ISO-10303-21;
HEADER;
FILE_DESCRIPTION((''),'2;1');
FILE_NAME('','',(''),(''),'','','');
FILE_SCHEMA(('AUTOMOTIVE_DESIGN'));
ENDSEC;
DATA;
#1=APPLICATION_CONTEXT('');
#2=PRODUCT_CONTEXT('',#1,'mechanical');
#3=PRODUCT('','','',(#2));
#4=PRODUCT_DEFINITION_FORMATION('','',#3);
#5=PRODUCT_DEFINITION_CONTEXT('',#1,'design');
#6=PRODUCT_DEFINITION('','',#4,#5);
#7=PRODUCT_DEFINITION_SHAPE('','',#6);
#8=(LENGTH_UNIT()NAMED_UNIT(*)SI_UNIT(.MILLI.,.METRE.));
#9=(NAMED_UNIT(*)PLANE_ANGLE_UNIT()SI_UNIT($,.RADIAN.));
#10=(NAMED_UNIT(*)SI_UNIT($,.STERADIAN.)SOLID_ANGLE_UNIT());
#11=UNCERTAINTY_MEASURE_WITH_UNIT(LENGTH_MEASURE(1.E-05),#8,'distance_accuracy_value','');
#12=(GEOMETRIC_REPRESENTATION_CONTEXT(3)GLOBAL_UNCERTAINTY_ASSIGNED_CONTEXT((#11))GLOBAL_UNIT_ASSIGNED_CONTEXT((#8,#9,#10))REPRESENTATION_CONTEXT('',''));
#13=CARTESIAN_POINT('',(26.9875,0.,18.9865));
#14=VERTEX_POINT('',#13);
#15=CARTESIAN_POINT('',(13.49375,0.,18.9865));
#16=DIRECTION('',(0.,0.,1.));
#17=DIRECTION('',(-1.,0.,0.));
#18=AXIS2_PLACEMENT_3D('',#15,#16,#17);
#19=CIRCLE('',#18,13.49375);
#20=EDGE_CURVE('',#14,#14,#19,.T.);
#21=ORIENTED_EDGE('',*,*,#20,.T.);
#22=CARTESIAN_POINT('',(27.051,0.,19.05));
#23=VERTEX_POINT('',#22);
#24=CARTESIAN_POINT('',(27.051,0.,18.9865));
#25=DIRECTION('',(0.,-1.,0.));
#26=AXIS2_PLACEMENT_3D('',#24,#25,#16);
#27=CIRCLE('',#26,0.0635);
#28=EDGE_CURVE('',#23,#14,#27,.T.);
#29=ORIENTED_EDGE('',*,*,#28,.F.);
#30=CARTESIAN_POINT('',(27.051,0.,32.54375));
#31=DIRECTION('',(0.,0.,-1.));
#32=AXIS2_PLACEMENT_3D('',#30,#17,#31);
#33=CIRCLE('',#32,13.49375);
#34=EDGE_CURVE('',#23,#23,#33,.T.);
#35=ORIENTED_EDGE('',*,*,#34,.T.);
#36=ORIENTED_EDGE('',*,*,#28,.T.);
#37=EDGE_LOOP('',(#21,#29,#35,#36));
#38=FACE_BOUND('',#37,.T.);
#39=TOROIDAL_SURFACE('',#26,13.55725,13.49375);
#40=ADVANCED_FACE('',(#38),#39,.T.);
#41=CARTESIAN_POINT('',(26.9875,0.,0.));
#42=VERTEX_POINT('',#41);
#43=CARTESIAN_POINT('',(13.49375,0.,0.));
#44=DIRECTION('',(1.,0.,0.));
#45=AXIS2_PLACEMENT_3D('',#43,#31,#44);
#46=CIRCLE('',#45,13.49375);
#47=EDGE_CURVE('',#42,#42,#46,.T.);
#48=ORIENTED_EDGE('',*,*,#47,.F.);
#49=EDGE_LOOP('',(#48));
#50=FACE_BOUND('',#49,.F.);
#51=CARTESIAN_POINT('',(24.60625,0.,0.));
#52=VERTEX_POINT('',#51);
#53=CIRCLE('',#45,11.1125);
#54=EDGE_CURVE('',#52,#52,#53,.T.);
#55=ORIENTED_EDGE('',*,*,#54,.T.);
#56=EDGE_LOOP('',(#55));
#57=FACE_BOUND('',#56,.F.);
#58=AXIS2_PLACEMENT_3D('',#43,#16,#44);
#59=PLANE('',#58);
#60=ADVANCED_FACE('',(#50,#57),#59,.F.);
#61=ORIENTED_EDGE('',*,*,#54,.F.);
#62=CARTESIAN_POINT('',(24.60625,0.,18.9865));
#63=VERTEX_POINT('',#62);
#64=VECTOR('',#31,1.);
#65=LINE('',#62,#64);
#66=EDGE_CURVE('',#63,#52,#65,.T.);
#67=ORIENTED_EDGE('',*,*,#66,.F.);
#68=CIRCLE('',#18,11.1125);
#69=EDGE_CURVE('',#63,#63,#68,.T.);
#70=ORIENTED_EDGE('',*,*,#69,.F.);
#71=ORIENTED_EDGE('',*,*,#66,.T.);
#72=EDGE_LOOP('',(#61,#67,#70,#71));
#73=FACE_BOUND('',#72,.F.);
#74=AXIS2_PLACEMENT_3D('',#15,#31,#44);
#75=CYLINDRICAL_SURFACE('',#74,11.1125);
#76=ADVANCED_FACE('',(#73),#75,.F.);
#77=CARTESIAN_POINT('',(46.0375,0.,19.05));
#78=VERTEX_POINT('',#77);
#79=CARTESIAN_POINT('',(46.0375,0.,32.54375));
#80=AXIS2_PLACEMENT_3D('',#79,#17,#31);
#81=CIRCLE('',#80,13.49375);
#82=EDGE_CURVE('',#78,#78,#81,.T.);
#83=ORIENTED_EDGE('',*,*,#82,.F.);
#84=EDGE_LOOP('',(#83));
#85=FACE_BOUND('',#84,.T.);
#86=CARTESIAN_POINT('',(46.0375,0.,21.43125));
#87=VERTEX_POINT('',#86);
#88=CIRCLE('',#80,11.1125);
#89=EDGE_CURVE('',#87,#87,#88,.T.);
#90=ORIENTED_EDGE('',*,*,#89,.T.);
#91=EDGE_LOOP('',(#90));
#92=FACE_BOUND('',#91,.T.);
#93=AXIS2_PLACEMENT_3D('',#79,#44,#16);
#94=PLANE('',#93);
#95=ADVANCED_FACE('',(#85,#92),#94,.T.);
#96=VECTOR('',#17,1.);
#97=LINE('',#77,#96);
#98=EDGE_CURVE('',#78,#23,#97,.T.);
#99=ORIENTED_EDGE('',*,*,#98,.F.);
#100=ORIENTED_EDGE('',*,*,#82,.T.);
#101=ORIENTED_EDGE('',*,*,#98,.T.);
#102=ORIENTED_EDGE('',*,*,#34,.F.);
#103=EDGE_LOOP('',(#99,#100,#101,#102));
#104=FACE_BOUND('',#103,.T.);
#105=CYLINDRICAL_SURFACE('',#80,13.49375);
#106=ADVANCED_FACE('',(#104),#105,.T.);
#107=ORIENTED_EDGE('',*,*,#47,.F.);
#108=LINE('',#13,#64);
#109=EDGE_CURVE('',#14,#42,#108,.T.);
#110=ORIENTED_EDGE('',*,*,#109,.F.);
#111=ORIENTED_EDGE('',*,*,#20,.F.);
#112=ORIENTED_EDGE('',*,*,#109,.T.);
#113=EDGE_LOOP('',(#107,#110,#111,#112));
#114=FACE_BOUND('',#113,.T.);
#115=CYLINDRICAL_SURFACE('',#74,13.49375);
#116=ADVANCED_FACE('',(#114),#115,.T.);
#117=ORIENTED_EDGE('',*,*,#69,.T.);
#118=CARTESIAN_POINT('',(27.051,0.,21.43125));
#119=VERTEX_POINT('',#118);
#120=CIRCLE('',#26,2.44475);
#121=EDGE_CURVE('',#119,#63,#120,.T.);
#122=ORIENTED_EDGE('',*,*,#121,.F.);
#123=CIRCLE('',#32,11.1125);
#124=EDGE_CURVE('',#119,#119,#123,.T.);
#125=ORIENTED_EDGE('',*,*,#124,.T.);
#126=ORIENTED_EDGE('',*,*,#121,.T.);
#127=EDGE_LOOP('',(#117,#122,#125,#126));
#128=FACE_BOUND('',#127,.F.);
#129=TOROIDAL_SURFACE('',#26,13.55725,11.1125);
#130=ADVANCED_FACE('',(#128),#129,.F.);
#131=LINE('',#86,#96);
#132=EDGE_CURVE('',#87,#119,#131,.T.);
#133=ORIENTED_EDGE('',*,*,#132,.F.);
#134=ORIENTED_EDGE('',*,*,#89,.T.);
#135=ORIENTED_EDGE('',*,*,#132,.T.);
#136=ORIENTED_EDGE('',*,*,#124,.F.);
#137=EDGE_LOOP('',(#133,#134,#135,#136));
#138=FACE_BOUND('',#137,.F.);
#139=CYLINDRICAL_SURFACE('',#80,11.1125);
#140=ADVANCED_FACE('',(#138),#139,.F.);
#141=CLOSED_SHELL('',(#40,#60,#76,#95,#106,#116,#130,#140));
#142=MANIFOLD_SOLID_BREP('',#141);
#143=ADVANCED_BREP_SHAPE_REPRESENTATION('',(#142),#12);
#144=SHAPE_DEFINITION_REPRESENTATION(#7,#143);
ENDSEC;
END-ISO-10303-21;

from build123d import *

# Parameters (mm, degrees)
F1_R = 13.49375
F3_R = 11.1125


with BuildPart() as f2:
    # F2: sweep along a path in F0
    with BuildLine(Plane.XZ) as f2_path:
        Line((46.0375, 46.0375), (27.051, 46.0375))
        ThreePointArc((27.051, 46.0375), (7.9230544621, 38.1144455379), (0, 18.9865))
        Line((0, 18.9865), (0, 0))
    # F1 (on Top) → F2 (sweep)
    with BuildSketch(Plane.XY):
        with Locations((13.49375, 0)):
            Circle(F1_R)
    sweep(path=f2_path.line)

    # F4: sweep along a path in F0
    with BuildLine(Plane.XZ) as f4_path:
        Line((46.0375, 46.0375), (27.051, 46.0375))
        ThreePointArc((27.051, 46.0375), (7.9230544621, 38.1144455379), (0, 18.9865))
        Line((0, 18.9865), (0, 0))
    # F3 (on face) → F4 (sweep, cut)
    with BuildSketch(Plane(origin=(0, 0, 0), x_dir=(1, 0, 0), z_dir=(0, 0, -1))):
        with Locations((13.49375, 0)):
            Circle(F3_R)
    sweep(path=f4_path.line, mode=Mode.SUBTRACT)


solid = f2.part
